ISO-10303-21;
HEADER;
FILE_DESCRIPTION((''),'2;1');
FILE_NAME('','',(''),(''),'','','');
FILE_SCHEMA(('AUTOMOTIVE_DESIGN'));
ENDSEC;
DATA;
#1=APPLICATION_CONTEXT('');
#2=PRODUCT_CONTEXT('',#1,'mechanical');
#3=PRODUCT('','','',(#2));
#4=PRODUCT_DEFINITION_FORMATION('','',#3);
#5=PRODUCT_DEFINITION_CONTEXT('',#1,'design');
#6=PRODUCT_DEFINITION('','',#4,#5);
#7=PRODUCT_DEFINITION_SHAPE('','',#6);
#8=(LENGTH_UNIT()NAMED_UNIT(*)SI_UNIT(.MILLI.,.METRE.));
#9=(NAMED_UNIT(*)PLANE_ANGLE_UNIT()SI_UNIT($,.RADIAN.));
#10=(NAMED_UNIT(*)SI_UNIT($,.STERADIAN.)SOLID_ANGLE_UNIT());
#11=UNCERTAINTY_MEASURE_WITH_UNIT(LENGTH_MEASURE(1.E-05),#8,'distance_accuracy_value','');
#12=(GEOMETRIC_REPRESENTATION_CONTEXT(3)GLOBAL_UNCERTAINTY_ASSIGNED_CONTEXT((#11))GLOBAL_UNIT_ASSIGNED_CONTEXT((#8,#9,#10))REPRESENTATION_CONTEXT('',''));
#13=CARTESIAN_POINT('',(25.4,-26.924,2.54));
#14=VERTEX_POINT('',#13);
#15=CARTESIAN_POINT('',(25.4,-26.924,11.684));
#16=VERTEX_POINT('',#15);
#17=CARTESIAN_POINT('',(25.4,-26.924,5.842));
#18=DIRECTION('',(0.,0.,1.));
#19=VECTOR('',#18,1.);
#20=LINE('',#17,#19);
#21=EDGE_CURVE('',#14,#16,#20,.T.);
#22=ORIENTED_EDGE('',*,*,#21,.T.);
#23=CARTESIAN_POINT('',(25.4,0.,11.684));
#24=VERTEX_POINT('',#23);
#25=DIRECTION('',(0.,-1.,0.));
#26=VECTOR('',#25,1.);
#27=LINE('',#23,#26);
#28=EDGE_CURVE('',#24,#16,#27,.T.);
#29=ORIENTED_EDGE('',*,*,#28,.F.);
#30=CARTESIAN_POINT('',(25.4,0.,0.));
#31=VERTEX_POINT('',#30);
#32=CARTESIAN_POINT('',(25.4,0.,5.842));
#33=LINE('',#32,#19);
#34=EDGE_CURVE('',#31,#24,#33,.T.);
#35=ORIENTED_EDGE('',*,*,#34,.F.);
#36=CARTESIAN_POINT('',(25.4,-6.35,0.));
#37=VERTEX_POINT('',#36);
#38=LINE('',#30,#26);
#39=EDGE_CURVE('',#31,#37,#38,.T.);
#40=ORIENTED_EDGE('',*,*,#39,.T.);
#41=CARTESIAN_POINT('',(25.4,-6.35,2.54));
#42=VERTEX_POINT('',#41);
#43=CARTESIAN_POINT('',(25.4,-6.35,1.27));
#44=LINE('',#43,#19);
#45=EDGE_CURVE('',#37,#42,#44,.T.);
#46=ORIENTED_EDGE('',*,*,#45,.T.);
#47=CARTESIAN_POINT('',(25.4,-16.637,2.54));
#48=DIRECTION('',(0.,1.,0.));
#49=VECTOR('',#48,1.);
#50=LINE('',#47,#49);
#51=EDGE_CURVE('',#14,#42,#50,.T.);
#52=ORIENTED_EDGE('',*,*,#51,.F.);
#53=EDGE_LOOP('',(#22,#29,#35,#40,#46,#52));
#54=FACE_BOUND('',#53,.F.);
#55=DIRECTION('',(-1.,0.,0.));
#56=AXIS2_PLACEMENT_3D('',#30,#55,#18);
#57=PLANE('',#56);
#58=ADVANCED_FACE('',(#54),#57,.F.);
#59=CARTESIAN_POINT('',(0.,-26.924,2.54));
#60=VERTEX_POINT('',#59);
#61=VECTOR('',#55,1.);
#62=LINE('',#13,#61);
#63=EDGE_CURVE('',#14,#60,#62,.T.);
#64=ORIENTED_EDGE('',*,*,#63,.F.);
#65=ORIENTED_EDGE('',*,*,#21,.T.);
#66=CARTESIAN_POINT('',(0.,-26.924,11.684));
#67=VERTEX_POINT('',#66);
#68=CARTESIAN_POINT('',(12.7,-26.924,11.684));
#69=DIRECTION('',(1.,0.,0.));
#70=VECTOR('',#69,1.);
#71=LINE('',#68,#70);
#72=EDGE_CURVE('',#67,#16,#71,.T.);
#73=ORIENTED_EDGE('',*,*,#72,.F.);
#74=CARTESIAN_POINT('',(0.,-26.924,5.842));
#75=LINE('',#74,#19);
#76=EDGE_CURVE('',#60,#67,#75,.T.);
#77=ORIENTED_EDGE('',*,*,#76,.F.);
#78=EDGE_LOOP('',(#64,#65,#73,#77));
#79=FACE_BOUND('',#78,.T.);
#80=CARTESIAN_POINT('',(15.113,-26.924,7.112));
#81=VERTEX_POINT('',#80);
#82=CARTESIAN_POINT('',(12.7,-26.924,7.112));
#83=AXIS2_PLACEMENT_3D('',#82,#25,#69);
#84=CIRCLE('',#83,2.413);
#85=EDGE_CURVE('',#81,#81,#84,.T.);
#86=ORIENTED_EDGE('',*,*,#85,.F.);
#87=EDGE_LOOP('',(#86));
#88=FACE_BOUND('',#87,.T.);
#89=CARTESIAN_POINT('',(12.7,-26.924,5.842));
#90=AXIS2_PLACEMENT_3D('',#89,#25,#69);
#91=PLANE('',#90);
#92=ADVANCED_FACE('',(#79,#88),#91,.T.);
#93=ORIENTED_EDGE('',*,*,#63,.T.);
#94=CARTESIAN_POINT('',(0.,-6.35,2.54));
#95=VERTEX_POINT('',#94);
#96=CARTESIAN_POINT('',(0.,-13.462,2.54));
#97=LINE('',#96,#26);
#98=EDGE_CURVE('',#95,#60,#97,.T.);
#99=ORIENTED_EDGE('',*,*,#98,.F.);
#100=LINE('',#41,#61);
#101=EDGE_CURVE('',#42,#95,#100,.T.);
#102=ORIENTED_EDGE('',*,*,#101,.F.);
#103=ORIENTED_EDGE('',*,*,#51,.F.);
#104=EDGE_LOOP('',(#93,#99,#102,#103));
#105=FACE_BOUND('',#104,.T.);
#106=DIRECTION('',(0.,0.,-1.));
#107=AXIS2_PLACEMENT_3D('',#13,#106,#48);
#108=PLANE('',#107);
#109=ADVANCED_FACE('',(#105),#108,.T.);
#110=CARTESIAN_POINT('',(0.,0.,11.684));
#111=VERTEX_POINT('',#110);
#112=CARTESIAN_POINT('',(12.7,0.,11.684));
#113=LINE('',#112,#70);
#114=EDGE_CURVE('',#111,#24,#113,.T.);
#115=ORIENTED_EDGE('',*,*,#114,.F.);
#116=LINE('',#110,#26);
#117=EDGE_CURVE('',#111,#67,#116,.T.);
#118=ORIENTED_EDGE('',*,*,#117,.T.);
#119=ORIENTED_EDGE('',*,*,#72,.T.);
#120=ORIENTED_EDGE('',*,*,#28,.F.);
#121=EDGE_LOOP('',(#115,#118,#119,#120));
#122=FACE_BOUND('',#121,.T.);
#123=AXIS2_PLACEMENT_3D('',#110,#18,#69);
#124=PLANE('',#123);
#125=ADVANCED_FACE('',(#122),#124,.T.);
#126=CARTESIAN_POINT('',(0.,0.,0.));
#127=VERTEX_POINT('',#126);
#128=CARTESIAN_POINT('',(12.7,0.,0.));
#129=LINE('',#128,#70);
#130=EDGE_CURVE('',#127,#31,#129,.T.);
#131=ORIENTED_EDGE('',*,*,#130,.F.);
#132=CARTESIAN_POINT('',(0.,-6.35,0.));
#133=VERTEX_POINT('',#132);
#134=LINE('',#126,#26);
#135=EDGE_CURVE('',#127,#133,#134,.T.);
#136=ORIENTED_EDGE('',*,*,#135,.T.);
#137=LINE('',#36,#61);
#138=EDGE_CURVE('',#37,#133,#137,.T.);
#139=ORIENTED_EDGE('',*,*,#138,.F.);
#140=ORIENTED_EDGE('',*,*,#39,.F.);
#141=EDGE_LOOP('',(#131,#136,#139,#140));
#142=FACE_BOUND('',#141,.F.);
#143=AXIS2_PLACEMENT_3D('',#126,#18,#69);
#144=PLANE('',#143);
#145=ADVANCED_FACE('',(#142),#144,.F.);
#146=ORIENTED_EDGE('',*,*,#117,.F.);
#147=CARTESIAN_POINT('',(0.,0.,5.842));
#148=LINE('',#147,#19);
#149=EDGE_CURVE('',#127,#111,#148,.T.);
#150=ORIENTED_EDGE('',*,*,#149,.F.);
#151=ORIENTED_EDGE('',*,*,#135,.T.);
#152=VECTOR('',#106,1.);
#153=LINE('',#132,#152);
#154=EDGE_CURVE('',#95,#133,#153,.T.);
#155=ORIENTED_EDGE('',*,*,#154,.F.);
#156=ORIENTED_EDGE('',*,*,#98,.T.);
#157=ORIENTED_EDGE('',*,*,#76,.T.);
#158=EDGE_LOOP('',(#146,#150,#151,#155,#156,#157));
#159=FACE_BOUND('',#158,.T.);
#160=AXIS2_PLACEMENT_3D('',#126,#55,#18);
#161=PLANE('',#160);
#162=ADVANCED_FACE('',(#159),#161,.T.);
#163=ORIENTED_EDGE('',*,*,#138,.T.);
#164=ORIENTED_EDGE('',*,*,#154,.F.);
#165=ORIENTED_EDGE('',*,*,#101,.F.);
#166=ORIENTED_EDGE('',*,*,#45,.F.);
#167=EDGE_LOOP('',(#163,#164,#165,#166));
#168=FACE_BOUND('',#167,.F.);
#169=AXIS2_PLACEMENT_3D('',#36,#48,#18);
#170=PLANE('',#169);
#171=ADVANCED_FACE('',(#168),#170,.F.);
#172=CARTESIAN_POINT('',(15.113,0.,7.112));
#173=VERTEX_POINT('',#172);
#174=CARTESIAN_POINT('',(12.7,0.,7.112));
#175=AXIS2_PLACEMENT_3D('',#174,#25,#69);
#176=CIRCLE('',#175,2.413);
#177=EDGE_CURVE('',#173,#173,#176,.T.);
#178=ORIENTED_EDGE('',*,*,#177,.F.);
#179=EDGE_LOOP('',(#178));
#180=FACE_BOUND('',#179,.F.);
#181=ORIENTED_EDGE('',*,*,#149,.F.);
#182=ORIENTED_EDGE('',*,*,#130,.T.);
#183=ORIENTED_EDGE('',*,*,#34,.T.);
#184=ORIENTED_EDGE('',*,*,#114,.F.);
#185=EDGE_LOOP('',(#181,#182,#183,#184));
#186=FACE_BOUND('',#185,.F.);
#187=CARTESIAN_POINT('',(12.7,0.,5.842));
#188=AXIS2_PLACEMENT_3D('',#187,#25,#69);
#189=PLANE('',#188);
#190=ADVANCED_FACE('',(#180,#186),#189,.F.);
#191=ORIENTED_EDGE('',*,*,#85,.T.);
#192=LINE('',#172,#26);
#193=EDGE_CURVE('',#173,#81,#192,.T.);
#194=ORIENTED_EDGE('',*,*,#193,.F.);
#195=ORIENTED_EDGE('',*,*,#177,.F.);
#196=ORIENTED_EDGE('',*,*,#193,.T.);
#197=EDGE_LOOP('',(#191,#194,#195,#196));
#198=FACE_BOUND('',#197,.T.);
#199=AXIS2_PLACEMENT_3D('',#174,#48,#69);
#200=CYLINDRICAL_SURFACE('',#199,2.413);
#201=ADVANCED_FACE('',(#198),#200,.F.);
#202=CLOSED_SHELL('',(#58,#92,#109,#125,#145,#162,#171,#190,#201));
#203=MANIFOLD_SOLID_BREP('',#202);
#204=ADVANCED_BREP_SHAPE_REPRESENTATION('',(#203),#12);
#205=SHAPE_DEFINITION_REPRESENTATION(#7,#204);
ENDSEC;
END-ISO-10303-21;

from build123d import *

# Parameters (mm, degrees)
F0_W     = 25.4
F0_H     = 11.684
F0_R     = 2.413
F1_DEPTH = 26.924
F2_W     = 20.574
F2_H     = 2.54
F3_DEPTH = 25.401


with BuildPart() as f1:
    # F0 (on Front) → F1 (new body)
    with BuildSketch(Plane.XZ):
        with Locations((12.7, 5.842)):
            Rectangle(F0_W, F0_H)
        with Locations((12.7, 7.112)):
            Circle(F0_R, mode=Mode.SUBTRACT)
    extrude(amount=F1_DEPTH)

    # F2 (on face) → F3 (cut, through all)
    with BuildSketch(Plane.YZ.offset(25.4)):
        with Locations((-16.637, 1.27)):
            Rectangle(F2_W, F2_H)
    extrude(amount=-F3_DEPTH, mode=Mode.SUBTRACT)


solid = f1.part
